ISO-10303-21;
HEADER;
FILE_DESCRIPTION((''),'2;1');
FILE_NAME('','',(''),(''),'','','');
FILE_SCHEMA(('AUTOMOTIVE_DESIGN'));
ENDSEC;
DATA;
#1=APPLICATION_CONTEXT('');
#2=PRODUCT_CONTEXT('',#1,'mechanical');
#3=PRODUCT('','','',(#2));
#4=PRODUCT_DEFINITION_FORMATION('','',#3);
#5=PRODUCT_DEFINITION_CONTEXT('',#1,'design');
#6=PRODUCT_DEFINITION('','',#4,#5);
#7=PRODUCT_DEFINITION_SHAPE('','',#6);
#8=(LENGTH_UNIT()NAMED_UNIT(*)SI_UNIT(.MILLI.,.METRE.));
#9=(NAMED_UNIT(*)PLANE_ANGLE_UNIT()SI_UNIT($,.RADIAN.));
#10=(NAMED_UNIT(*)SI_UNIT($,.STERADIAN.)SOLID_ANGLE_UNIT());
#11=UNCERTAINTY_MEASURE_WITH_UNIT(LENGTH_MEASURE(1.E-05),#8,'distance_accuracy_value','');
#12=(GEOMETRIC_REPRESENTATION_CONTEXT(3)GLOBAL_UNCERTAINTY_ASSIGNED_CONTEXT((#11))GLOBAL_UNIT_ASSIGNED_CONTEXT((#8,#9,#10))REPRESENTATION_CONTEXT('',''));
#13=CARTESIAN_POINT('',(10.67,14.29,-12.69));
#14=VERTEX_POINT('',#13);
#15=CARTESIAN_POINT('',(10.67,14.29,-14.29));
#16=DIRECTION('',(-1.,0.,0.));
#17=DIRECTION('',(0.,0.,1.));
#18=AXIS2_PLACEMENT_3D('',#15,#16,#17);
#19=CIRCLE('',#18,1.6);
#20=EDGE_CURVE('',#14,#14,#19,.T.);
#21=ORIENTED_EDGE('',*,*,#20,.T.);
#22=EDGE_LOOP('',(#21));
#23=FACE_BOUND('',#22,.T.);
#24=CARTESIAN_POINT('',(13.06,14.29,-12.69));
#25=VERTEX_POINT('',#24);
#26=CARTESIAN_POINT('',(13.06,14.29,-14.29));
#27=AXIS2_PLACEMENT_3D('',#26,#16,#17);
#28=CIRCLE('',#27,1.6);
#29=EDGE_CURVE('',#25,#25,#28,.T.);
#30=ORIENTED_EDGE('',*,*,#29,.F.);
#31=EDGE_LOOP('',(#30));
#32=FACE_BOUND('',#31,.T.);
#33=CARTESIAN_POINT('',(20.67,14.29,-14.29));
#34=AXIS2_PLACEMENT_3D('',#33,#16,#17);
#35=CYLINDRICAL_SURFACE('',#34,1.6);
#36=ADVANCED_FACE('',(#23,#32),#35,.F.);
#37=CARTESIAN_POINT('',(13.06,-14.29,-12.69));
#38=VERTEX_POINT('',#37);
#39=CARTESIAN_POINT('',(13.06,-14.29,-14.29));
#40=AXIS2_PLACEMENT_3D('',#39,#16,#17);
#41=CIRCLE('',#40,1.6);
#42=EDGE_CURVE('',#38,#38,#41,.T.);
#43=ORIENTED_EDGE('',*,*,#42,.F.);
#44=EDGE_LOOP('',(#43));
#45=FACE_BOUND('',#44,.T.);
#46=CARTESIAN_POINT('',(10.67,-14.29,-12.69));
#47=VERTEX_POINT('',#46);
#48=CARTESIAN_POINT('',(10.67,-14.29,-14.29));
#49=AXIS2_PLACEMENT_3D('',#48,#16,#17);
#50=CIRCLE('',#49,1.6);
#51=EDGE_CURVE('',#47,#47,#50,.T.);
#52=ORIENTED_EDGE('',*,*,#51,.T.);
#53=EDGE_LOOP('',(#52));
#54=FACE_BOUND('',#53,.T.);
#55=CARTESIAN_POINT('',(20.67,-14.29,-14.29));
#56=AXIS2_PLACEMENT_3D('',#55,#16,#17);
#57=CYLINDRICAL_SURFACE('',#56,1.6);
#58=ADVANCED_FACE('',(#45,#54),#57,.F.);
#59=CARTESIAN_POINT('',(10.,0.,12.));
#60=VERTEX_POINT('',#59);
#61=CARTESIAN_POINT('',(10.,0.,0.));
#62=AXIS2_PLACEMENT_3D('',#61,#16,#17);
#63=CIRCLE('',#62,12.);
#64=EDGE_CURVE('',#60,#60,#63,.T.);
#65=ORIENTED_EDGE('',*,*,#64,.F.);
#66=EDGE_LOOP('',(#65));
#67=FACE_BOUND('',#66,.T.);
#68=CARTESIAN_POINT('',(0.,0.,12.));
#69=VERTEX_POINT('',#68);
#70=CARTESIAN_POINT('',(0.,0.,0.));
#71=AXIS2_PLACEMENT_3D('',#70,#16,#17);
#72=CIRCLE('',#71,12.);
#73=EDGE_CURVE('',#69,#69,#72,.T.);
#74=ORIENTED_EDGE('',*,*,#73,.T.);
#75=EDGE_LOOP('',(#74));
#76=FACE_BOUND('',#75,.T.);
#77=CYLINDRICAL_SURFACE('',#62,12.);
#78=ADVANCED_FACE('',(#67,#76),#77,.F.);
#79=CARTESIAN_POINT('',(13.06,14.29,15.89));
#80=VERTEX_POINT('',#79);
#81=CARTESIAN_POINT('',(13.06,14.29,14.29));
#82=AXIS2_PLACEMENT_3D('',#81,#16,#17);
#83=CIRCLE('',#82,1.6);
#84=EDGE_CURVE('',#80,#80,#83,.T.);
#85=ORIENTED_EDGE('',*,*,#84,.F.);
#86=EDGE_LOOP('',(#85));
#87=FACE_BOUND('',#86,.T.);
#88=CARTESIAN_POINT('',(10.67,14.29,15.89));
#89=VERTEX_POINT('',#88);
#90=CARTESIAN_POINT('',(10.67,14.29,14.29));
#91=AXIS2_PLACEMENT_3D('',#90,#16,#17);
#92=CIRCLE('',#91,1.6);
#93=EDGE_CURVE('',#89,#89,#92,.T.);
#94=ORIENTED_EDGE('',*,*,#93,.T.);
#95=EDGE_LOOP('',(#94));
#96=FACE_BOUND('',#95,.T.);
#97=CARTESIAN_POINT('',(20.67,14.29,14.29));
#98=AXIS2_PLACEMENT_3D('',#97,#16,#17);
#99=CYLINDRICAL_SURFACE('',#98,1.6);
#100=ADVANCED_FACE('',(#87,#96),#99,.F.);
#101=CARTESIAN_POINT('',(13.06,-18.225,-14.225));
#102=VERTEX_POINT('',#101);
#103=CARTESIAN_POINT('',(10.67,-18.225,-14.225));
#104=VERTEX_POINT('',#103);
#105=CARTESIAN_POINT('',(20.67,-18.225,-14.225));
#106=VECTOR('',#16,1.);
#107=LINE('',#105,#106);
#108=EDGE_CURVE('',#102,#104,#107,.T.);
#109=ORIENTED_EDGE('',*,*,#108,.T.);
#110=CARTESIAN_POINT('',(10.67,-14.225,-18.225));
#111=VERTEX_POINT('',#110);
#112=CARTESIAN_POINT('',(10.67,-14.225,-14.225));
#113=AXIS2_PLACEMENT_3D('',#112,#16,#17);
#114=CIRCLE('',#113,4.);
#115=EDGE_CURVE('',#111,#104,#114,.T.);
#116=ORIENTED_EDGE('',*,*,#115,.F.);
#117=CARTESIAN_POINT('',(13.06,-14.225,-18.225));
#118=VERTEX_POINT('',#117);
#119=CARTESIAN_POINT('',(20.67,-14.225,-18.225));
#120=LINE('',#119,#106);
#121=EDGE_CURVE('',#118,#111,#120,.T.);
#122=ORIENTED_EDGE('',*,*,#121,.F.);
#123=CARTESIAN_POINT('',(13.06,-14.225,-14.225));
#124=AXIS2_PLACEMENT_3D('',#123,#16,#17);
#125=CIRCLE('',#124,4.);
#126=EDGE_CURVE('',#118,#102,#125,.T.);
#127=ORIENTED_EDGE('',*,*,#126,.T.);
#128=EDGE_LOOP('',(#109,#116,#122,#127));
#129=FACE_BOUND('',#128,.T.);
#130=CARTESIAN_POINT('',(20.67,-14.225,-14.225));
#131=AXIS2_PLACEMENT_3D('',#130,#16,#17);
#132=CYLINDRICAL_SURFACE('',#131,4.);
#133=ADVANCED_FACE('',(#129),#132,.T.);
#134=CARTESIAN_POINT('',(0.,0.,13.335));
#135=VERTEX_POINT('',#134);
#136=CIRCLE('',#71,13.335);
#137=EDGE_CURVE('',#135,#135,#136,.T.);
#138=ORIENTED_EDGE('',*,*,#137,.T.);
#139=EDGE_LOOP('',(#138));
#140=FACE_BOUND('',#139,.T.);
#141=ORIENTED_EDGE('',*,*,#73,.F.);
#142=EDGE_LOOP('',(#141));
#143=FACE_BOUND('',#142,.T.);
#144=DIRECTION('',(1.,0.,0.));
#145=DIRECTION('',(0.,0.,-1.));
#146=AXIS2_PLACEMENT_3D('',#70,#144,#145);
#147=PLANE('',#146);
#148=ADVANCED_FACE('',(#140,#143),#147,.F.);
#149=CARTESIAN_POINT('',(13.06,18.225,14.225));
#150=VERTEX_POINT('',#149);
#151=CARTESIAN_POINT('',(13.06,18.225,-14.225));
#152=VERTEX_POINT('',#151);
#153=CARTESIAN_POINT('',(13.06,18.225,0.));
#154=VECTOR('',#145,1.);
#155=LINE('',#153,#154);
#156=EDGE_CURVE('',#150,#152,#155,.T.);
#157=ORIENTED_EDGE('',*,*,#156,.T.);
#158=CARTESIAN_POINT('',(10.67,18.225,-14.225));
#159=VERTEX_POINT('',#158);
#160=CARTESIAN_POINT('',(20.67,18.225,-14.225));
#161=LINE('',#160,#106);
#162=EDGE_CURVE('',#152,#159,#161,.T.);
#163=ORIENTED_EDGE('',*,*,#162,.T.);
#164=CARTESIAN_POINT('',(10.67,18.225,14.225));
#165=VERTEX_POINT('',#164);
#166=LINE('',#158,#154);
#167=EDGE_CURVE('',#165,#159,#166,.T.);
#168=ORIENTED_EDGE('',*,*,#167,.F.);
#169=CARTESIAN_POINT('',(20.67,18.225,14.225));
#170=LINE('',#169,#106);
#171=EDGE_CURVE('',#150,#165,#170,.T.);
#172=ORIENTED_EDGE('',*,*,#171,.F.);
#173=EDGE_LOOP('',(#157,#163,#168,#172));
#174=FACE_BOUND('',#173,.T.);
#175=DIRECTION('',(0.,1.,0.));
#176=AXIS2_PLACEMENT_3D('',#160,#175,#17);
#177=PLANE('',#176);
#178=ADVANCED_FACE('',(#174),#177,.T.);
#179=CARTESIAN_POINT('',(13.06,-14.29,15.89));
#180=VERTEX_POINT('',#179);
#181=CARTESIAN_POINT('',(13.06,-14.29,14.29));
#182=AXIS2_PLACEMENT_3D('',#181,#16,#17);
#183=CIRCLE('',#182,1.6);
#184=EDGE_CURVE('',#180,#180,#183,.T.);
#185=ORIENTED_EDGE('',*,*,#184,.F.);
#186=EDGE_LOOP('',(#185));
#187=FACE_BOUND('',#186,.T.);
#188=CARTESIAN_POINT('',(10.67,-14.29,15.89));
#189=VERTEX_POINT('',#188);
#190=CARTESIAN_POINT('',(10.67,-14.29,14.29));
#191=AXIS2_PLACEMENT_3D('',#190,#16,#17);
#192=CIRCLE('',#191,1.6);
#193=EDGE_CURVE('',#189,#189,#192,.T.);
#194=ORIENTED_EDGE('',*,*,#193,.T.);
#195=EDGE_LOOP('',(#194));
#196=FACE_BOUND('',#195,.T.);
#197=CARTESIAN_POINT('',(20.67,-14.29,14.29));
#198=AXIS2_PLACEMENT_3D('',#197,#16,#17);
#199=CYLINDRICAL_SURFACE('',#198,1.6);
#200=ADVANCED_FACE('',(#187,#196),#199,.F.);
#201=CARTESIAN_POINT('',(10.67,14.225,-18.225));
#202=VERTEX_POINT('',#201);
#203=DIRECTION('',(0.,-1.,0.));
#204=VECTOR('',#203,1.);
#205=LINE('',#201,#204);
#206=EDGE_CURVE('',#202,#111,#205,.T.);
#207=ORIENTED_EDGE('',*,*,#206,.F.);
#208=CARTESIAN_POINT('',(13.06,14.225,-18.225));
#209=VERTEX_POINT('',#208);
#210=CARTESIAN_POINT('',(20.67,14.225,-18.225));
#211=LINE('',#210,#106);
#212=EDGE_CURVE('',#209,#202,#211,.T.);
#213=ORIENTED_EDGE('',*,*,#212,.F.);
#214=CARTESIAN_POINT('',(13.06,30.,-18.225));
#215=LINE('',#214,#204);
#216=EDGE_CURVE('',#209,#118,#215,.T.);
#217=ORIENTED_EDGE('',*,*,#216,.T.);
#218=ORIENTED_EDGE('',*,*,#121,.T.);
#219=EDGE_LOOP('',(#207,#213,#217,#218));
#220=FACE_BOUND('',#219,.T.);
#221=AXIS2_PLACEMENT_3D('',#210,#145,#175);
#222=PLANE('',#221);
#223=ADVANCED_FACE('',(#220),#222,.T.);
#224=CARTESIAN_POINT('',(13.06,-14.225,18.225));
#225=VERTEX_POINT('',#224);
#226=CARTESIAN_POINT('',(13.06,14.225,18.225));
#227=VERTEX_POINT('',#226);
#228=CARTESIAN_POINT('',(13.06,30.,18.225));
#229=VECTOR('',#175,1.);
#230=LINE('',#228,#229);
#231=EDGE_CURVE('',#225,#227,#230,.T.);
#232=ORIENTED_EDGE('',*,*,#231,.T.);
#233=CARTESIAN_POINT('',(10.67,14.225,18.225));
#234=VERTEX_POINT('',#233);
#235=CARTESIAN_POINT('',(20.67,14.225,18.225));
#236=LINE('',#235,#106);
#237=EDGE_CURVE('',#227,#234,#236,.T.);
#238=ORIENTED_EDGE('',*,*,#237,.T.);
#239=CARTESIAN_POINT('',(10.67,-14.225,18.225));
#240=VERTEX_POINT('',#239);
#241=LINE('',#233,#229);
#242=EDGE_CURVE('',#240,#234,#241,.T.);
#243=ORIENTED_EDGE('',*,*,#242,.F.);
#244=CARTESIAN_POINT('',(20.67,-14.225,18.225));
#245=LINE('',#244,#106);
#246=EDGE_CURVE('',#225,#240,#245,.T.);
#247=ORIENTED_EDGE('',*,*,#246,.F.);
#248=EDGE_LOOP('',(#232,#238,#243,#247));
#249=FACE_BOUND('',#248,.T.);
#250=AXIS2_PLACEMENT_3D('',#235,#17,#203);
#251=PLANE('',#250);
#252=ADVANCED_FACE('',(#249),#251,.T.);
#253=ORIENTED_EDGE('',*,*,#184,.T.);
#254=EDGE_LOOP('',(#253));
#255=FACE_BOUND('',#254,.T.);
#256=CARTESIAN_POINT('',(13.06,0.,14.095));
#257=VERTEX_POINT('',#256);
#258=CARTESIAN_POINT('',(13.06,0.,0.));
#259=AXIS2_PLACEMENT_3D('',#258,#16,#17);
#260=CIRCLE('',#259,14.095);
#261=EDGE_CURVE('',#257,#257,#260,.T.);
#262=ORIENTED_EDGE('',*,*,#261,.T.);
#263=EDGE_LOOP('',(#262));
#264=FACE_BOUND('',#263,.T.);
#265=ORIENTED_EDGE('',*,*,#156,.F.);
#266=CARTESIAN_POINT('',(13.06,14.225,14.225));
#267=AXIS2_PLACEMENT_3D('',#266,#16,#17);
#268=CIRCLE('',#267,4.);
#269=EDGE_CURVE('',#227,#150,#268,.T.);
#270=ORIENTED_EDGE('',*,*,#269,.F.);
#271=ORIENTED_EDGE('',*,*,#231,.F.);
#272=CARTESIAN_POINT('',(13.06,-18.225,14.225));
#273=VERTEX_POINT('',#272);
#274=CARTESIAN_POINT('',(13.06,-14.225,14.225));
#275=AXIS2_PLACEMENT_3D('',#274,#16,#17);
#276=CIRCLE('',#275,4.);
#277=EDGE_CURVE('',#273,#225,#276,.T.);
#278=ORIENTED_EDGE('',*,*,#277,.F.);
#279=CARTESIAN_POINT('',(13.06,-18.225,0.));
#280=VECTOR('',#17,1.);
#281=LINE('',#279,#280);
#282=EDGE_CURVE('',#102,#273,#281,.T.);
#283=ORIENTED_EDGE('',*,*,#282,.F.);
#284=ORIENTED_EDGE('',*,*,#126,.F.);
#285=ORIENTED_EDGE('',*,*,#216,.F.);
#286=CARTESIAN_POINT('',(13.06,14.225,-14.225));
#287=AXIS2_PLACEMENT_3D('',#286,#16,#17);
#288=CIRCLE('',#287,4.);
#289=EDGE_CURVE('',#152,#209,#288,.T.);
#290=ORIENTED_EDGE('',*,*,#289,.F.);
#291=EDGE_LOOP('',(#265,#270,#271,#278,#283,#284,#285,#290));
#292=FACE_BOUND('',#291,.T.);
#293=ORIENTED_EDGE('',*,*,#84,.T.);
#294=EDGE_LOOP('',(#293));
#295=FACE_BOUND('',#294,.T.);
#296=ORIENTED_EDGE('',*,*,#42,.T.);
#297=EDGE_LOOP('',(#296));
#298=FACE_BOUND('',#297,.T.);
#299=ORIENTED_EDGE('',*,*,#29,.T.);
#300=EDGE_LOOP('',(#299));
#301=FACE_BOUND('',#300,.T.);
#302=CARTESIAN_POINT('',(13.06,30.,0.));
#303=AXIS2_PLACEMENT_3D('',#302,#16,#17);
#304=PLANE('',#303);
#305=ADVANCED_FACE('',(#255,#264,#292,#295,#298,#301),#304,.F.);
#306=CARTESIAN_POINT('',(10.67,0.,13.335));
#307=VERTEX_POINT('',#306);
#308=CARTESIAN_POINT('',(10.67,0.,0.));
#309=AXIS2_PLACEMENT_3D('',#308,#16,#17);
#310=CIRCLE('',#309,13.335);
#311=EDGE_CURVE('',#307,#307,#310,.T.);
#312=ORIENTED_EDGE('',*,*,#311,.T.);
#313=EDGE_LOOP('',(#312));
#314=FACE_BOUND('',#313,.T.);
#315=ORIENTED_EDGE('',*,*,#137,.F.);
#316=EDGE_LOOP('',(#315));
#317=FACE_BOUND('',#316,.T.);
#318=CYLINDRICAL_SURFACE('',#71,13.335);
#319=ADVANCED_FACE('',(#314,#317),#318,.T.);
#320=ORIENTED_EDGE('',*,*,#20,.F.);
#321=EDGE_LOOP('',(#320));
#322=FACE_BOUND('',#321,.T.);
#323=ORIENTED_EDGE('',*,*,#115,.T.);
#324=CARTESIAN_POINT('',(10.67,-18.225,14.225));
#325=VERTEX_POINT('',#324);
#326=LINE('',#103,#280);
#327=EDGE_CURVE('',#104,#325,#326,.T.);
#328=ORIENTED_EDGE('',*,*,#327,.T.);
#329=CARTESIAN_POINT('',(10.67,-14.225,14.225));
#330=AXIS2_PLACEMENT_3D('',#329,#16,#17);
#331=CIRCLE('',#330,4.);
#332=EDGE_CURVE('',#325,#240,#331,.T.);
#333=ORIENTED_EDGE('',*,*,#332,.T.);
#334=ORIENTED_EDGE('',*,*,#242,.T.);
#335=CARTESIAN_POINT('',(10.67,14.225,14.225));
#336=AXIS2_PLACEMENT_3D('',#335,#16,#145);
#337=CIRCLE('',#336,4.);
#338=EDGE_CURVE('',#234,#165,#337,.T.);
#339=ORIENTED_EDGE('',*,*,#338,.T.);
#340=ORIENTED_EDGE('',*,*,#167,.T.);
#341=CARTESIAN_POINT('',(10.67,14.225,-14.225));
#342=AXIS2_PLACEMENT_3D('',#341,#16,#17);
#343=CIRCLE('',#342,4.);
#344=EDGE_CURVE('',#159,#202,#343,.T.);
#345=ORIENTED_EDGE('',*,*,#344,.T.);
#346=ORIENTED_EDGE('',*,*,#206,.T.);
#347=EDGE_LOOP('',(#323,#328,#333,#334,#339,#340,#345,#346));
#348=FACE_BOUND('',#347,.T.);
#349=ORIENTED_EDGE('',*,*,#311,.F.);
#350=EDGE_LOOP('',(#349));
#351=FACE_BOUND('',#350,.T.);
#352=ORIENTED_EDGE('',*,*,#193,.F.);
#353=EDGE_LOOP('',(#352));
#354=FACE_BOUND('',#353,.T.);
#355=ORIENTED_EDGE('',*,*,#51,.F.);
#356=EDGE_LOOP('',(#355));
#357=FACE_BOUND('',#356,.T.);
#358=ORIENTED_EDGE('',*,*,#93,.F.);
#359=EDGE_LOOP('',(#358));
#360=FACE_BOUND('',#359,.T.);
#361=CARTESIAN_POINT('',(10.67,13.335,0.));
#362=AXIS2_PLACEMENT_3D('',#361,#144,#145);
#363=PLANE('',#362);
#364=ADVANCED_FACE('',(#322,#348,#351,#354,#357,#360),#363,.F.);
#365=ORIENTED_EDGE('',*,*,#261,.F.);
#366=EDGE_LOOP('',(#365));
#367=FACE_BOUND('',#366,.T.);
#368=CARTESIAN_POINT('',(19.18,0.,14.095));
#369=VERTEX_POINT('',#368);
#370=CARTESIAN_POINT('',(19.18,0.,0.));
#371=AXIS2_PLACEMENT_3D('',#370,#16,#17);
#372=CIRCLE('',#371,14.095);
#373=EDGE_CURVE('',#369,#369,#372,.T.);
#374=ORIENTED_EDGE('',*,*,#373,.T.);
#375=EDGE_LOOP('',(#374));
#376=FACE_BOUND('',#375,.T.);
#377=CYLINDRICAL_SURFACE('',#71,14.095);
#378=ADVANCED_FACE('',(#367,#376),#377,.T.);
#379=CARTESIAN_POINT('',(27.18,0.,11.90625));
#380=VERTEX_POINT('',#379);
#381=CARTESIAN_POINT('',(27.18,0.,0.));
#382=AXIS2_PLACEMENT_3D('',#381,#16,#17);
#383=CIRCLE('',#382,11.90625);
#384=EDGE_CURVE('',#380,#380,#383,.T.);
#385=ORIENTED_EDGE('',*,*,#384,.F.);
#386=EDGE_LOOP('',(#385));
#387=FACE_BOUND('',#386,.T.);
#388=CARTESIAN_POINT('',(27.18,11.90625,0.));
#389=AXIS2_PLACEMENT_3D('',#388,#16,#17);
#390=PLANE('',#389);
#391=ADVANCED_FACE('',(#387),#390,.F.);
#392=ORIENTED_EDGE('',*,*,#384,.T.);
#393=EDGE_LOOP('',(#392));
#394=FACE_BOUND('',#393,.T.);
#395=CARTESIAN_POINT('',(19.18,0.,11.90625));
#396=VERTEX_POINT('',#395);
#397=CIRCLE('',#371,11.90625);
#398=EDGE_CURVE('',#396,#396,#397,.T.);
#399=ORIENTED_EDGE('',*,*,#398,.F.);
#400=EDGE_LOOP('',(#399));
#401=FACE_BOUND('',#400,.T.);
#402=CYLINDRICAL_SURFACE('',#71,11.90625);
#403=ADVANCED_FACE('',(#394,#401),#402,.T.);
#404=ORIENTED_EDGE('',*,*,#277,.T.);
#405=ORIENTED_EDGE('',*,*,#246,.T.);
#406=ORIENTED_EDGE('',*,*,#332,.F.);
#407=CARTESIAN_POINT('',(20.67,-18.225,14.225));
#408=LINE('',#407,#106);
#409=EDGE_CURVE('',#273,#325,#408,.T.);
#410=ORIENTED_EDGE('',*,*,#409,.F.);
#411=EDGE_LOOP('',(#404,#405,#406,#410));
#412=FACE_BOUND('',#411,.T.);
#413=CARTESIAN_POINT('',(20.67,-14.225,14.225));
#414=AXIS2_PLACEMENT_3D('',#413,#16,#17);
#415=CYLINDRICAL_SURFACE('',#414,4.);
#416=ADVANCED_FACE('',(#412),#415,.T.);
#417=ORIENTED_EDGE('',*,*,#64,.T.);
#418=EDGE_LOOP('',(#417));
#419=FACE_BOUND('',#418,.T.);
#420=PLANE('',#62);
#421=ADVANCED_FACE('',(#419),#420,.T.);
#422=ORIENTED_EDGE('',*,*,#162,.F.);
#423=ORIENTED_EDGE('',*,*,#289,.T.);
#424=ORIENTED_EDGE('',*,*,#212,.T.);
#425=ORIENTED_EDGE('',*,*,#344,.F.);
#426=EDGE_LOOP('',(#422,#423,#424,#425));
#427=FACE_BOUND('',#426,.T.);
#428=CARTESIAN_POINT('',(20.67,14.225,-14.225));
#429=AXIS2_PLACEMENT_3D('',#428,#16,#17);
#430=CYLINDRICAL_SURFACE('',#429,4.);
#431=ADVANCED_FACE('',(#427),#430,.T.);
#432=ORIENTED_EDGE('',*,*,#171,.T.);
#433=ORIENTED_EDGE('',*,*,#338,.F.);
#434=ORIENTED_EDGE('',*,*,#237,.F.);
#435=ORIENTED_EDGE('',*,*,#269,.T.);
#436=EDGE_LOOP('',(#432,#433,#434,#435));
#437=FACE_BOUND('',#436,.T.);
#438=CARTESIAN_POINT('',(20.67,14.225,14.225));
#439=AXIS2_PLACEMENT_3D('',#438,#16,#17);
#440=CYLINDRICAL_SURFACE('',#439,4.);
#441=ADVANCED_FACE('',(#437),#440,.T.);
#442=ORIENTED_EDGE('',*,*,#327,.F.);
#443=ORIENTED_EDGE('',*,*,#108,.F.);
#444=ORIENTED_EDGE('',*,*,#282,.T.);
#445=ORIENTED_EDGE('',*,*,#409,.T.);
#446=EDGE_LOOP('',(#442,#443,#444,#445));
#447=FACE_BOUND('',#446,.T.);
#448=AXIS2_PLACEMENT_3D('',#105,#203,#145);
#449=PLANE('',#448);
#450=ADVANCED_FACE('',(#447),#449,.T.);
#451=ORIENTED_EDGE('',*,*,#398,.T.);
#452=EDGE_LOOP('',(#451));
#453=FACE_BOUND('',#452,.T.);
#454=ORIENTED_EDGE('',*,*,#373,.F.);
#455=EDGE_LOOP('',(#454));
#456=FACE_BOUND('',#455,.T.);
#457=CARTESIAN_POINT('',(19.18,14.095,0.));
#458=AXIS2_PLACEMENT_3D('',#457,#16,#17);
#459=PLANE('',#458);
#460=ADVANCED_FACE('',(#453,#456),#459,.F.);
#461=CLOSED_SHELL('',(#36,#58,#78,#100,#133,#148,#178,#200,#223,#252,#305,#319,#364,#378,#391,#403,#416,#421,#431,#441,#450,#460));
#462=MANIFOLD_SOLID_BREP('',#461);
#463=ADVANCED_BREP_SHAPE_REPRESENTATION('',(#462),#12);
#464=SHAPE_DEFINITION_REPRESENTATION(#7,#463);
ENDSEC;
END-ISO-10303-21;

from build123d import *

# Parameters (mm, degrees)
SKETCH2_OUTSIDE_W  = 79.82
SKETCH2_OUTSIDE_H  = 79.82
SKETCH2_OUTSIDE_R  = 1.6
CUT_EXTRUDE1_DEPTH = 10
SKETCH3_R          = 12
CUT_EXTRUDE2_DEPTH = 10


with BuildPart() as part:
    # Sketch1 → Revolve1 (revolve)
    with BuildSketch(Plane.XY, mode=Mode.PRIVATE) as revolve1_sk:
        Polygon((0, 0), (0, 13.335), (10.67, 13.335), (10.67, 30), (13.06, 30), (13.06, 14.095), (19.18, 14.095), (19.18, 11.90625), (27.18, 11.90625), (27.18, 0), align=None)
    revolve(revolve1_sk.sketch.rotate(Axis((0, 0, 0), (1, 0, 0)), 90), axis=Axis((0, 0, 0), (1, 0, 0)))  # turned: the seam where the file's is

    # Sketch2 outside → Cut-Extrude1 (cut)
    with BuildSketch(Plane.ZY.offset(-10.67)):
        Rectangle(SKETCH2_OUTSIDE_W, SKETCH2_OUTSIDE_H)
        with BuildLine():
            Line((-14.225, 18.225), (14.225, 18.225))
            ThreePointArc((14.225, 18.225), (17.053427125, 17.053427125), (18.225, 14.225))
            Line((18.225, 14.225), (18.225, -14.225))
            ThreePointArc((18.225, -14.225), (17.053427125, -17.053427125), (14.225, -18.225))
            Line((14.225, -18.225), (-14.225, -18.225))
            ThreePointArc((-14.225, -18.225), (-17.053427125, -17.053427125), (-18.225, -14.225))
            Line((-18.225, -14.225), (-18.225, 14.225))
            ThreePointArc((-18.225, 14.225), (-17.053427125, 17.053427125), (-14.225, 18.225))
        make_face(mode=Mode.SUBTRACT)
        with Locations((-14.29, 14.29)):
            Circle(SKETCH2_OUTSIDE_R)
        with Locations((14.29, 14.29)):
            Circle(SKETCH2_OUTSIDE_R)
        with Locations((14.29, -14.29)):
            Circle(SKETCH2_OUTSIDE_R)
        with Locations((-14.29, -14.29)):
            Circle(SKETCH2_OUTSIDE_R)
    extrude(amount=-CUT_EXTRUDE1_DEPTH, mode=Mode.SUBTRACT)

    # Sketch3 → Cut-Extrude2 (cut)
    with BuildSketch(Plane.ZY):
        Circle(SKETCH3_R)
    extrude(amount=-CUT_EXTRUDE2_DEPTH, mode=Mode.SUBTRACT)


solid = part.part
